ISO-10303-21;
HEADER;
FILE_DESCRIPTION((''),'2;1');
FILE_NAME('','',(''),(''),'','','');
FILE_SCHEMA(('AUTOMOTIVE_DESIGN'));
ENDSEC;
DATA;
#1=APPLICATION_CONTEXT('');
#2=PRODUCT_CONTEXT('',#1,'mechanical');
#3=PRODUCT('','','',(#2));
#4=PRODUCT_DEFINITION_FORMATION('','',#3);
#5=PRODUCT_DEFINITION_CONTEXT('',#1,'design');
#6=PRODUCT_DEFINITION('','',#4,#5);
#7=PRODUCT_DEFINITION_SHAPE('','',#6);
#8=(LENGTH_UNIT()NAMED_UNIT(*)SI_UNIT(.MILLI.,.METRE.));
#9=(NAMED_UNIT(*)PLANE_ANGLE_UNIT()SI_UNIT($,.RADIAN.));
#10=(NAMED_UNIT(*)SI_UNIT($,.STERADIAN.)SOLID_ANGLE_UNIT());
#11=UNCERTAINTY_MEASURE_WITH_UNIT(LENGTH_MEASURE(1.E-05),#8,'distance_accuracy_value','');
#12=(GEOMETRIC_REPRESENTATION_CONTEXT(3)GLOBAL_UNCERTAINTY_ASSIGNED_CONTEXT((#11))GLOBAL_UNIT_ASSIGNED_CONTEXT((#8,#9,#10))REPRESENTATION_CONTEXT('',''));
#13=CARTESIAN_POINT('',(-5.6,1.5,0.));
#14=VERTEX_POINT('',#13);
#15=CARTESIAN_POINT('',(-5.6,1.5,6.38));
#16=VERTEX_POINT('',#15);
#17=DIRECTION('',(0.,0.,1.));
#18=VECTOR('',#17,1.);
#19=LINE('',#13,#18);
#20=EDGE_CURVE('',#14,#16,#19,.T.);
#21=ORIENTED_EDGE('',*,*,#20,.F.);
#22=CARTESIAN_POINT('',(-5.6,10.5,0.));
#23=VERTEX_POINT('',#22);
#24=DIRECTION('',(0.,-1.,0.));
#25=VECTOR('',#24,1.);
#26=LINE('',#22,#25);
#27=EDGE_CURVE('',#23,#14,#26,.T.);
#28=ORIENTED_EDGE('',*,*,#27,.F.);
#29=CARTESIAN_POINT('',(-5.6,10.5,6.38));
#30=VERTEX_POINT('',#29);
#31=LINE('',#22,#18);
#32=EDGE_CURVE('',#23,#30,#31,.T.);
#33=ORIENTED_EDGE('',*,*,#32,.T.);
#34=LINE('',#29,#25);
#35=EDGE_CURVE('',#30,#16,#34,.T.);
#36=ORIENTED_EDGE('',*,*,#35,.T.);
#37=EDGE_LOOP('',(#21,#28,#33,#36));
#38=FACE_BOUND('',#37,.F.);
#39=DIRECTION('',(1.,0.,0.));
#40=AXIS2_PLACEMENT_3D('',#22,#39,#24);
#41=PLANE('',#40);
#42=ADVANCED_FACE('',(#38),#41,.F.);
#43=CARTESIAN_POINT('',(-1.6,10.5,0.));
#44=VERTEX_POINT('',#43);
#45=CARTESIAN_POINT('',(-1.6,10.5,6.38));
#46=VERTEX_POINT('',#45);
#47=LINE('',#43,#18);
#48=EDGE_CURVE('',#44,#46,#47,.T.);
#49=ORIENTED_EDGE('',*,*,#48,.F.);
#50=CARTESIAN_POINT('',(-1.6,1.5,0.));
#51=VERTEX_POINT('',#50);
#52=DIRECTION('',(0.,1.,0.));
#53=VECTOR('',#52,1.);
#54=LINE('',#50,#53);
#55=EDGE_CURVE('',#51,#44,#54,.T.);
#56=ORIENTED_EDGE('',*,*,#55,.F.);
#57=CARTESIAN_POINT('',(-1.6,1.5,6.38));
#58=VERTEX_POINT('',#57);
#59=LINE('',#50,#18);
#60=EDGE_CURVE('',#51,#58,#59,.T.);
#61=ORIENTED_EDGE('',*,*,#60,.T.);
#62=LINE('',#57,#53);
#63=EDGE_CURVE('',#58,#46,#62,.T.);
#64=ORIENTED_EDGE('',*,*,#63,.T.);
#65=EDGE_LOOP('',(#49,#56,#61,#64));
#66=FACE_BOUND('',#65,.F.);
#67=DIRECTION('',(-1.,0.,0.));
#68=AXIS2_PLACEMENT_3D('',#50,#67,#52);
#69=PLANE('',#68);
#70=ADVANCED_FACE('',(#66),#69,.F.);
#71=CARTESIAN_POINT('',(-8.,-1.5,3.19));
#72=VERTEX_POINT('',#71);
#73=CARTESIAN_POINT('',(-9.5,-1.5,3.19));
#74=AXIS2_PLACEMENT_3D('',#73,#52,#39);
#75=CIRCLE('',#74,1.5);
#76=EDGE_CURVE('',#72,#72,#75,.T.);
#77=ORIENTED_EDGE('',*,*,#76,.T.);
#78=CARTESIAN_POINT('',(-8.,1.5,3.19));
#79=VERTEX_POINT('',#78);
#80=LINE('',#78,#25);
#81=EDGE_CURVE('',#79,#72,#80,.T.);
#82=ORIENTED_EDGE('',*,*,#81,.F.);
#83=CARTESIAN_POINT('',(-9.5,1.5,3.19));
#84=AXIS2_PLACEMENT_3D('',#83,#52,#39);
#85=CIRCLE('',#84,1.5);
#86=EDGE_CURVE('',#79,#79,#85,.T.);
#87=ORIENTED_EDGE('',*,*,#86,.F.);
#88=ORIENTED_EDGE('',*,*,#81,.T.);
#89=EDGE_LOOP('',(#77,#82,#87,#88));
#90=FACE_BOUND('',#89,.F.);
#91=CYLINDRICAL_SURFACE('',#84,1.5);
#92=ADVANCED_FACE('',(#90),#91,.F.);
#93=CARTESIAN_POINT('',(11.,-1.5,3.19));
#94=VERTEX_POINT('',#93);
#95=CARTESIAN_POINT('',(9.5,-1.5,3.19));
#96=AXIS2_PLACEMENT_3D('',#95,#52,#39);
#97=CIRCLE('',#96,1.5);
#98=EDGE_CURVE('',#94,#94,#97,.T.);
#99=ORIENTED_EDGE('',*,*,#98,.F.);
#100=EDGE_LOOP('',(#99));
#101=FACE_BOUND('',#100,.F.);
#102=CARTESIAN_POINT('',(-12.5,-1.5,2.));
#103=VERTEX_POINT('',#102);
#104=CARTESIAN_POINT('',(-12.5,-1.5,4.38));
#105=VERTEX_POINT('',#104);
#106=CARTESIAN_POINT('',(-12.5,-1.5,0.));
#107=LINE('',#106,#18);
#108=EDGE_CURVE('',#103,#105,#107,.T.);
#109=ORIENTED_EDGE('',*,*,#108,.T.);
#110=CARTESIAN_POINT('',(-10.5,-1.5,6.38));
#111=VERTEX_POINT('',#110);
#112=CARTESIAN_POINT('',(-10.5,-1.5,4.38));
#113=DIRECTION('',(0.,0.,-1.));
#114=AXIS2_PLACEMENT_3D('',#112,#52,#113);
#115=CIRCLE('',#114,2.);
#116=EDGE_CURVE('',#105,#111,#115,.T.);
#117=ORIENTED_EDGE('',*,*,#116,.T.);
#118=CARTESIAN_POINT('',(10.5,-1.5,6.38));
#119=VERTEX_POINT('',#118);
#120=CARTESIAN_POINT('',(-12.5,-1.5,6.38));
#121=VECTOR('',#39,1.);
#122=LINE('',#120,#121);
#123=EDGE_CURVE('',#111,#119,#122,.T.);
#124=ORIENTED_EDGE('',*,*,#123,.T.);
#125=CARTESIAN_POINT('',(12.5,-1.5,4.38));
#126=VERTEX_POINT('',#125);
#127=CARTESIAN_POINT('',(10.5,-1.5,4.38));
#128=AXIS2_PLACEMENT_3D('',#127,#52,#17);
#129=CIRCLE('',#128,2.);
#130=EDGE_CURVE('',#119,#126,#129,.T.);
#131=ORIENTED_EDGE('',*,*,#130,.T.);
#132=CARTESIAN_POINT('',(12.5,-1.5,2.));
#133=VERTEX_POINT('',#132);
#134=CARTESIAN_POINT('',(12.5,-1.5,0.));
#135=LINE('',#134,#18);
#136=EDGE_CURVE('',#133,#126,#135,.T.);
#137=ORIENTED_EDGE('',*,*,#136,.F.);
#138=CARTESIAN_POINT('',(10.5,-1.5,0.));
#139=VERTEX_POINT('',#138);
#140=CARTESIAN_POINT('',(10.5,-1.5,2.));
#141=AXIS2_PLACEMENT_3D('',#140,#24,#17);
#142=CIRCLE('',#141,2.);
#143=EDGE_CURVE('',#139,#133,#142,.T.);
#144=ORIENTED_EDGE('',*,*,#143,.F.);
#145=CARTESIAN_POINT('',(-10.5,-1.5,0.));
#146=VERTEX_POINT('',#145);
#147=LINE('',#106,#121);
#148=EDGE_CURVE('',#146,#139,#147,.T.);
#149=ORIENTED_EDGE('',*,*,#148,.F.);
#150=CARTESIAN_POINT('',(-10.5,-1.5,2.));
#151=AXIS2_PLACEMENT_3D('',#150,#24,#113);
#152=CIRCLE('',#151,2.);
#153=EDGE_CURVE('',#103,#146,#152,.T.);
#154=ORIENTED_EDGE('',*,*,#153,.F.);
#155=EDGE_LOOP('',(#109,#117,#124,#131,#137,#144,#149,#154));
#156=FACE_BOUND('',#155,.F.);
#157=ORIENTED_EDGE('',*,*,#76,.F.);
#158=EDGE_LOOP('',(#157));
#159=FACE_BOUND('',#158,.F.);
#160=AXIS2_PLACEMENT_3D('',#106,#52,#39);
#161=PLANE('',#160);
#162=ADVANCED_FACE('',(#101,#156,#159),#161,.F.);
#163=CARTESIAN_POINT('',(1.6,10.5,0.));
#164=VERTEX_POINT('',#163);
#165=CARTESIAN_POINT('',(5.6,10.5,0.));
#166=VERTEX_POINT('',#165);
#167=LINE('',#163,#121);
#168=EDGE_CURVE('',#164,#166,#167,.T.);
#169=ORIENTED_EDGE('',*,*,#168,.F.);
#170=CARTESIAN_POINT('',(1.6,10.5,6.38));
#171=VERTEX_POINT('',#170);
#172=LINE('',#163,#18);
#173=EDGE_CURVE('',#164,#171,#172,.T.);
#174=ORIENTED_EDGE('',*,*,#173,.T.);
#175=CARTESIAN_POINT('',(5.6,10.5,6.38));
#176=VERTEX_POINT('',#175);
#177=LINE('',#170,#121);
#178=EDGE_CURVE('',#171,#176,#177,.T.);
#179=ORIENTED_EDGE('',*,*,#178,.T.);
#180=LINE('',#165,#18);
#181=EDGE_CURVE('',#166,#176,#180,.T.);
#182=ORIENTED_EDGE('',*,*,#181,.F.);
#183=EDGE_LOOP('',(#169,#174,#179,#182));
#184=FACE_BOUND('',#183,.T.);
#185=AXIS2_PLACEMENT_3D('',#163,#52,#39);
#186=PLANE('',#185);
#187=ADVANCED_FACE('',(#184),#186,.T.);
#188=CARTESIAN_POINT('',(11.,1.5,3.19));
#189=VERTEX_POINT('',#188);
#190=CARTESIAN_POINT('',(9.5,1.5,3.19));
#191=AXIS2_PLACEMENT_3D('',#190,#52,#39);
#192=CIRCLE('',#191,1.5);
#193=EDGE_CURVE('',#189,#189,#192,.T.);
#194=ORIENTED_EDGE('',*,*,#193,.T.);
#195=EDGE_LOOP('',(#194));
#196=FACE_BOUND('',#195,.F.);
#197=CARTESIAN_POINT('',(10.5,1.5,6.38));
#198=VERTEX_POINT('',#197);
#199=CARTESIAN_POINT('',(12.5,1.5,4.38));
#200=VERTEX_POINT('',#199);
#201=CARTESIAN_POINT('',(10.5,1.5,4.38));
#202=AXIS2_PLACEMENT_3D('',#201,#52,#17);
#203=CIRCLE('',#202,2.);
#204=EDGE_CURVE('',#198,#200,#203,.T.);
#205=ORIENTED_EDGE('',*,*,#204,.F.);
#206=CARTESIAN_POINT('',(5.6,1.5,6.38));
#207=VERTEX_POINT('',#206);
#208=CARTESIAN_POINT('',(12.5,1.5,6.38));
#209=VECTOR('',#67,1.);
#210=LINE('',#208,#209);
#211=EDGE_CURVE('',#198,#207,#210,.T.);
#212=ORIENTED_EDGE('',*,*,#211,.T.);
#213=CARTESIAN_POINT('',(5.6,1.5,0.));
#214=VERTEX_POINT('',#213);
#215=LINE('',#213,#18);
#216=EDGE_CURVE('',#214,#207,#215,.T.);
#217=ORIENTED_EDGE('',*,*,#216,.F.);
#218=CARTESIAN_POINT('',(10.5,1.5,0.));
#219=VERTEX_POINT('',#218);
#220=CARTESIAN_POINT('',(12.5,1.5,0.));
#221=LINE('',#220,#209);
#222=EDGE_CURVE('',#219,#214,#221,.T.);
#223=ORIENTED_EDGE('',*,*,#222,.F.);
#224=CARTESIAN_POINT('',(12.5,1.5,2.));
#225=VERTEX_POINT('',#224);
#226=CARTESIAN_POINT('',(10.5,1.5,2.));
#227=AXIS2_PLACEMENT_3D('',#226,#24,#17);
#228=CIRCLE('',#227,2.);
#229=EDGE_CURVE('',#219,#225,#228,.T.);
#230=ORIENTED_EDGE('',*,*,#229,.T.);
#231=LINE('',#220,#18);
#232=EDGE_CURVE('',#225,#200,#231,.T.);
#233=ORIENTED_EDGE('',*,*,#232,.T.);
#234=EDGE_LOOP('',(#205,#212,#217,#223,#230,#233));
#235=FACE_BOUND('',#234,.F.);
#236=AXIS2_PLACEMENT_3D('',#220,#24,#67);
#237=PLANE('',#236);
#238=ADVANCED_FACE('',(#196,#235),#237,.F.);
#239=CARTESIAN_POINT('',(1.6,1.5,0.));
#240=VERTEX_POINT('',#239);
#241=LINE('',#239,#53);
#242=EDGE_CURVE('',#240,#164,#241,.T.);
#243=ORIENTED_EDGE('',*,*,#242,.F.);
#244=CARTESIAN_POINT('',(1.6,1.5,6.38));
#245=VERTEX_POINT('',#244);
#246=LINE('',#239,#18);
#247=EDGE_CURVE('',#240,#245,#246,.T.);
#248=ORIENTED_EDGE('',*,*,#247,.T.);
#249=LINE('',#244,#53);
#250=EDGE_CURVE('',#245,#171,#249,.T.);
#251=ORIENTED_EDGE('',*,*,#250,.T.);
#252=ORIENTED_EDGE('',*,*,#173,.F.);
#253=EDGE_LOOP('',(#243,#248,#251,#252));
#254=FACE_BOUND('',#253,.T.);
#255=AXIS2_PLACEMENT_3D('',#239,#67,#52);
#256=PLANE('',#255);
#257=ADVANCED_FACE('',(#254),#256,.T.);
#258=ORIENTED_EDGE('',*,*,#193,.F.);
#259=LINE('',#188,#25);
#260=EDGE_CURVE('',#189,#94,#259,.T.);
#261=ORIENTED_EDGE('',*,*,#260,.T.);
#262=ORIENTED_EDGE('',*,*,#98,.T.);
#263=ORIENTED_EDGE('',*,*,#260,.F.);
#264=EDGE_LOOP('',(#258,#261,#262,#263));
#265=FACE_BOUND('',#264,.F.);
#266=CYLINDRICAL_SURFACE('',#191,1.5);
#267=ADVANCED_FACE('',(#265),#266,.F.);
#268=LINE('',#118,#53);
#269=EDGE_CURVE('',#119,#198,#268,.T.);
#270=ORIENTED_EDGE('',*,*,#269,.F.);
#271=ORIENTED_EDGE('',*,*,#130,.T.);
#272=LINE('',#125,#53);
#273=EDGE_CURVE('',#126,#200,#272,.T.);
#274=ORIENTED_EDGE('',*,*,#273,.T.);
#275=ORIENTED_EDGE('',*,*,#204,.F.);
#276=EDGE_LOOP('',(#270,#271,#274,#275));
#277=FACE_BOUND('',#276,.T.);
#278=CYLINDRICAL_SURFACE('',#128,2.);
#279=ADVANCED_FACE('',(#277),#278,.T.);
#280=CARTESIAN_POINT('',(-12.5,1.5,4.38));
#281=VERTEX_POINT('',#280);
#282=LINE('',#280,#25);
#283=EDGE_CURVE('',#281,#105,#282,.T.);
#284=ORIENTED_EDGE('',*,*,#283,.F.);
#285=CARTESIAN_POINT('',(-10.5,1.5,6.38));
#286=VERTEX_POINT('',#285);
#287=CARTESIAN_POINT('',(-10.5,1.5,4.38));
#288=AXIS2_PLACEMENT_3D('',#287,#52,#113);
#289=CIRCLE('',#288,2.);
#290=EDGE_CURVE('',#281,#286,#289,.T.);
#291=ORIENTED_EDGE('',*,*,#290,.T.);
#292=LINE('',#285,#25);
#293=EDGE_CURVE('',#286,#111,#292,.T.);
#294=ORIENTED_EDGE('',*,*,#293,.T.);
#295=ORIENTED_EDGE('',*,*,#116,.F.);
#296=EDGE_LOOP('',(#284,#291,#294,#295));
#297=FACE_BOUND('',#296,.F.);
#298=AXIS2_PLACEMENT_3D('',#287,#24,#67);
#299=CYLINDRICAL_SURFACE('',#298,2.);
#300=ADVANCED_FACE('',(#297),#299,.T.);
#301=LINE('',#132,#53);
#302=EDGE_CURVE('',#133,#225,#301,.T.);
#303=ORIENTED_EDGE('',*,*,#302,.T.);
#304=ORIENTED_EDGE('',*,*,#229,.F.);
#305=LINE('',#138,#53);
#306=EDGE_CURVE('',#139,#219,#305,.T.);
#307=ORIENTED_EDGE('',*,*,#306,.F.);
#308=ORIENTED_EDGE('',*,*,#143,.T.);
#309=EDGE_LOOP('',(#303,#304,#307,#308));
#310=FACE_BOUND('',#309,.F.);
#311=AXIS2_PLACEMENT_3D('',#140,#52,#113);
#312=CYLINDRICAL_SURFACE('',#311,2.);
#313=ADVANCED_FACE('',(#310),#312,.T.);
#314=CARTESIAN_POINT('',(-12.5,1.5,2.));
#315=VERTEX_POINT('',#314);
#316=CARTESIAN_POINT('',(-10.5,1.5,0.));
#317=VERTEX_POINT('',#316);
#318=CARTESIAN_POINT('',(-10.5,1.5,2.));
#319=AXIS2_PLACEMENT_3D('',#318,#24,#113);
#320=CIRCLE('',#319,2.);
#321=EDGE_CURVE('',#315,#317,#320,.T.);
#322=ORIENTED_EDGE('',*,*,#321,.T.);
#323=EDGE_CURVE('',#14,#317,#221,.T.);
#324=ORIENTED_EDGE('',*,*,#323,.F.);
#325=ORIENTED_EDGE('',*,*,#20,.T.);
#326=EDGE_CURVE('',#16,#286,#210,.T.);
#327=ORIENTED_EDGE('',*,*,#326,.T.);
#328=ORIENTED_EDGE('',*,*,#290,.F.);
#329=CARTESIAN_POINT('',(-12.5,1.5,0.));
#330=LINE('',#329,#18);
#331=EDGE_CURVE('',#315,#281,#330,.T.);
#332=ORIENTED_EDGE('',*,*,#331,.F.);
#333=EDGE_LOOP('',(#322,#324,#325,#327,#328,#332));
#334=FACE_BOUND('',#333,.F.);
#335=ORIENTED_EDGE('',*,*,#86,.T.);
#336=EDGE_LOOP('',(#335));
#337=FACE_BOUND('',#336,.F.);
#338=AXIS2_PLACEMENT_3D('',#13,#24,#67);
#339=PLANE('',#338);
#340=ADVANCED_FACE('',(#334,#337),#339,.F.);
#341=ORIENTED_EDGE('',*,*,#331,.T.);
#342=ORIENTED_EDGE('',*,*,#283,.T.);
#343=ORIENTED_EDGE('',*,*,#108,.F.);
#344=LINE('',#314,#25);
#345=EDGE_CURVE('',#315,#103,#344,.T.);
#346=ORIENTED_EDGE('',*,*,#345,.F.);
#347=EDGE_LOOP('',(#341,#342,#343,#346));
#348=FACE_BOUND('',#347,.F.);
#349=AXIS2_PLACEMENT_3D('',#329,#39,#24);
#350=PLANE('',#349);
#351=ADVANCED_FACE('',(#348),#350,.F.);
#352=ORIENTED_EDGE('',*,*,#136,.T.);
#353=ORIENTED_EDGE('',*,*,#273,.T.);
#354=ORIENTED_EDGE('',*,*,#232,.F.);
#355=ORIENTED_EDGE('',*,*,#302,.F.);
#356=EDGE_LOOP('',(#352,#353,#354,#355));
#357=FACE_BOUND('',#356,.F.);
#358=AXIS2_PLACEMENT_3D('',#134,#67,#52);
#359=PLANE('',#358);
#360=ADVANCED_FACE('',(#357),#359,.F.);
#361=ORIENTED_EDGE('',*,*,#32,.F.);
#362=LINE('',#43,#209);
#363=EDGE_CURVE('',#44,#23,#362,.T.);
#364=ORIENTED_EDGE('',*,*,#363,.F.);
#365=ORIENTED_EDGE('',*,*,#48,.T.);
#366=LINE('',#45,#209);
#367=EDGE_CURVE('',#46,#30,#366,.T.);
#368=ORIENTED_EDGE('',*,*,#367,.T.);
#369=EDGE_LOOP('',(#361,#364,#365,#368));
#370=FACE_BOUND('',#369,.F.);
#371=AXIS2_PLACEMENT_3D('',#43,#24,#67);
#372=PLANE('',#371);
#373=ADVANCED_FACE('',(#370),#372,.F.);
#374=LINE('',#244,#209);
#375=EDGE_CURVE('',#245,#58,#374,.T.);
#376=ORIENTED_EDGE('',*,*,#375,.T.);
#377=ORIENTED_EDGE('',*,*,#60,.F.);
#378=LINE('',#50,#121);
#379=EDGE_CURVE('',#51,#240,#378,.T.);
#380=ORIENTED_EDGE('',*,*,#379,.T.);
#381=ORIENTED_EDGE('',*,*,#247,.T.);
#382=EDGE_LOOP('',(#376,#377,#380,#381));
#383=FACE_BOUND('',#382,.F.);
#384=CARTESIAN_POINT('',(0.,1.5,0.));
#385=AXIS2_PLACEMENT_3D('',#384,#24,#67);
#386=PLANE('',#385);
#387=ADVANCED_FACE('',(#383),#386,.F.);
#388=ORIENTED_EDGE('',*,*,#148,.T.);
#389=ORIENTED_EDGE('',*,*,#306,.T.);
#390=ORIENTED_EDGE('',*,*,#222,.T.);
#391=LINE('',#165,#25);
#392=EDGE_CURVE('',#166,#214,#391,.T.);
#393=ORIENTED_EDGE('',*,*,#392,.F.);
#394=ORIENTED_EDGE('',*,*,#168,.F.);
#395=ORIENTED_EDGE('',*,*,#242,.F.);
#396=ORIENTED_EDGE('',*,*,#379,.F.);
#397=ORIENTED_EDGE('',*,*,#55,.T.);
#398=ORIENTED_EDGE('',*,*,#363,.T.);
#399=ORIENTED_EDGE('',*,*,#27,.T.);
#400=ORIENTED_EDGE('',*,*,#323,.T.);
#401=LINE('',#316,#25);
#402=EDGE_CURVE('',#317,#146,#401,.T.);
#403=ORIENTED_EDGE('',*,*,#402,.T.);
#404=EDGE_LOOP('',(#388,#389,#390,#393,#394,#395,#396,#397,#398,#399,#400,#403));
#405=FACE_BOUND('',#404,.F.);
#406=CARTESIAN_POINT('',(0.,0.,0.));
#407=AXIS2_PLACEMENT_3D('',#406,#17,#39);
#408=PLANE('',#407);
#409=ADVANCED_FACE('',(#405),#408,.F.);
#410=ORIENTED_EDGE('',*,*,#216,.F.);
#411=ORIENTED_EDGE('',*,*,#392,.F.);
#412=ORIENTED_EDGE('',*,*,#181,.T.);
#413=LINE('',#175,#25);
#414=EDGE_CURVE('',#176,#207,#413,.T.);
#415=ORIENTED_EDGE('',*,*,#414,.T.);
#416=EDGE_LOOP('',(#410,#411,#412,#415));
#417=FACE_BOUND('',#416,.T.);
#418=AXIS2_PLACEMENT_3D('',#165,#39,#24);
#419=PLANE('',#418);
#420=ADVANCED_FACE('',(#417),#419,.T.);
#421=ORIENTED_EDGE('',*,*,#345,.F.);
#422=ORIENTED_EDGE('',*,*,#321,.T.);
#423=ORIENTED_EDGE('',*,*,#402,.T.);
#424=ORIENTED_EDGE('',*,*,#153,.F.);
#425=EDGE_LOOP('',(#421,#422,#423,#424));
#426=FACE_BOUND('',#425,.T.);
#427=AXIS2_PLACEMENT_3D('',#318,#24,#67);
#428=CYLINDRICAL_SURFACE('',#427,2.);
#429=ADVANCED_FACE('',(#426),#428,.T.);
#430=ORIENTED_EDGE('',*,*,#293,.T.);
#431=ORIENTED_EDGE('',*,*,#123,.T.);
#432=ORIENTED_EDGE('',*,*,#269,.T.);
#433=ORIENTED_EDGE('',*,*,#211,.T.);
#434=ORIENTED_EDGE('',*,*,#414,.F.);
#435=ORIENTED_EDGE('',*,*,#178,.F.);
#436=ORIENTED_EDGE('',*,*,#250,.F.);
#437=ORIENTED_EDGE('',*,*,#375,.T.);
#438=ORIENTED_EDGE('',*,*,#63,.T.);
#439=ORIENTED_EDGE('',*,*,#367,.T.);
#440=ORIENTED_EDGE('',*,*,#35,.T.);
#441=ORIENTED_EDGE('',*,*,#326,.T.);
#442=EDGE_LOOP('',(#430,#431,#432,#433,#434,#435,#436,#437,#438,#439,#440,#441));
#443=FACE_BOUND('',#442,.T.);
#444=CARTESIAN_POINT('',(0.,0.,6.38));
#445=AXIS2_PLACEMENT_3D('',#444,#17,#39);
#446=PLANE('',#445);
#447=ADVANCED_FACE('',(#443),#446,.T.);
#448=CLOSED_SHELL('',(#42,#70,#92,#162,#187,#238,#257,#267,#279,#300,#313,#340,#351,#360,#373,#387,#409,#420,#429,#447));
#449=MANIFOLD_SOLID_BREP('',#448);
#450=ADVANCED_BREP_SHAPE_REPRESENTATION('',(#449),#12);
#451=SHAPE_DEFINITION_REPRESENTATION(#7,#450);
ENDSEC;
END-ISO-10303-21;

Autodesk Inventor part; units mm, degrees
ref_plane "YZ Plane" through (0, 0, 0) normal (1, 0, 0) x (0, 1, 0)
ref_plane "XZ Plane" through (0, 0, 0) normal (0, 1, 0) x (-1, 0, 0)
ref_plane "XY Plane" through (0, 0, 0) normal (0, 0, 1) x (1, 0, 0)
sketch "Sketch1" plane through (0, 0, 0) normal (0, 0, 1) x (1, 0, 0)
  line L0 (-12.5, -1.5) -> (12.5, -1.5)
  line L1 (12.5, -1.5) -> (12.5, 1.5)
  line L2 (12.5, 1.5) -> (-12.5, 1.5)
  line L3 (-12.5, 1.5) -> (-12.5, -1.5)
  line L4 (-12.5, -1.5) -> (12.5, 1.5) construction
  line L5 (12.5, -1.5) -> (-12.5, 1.5) construction
  line L6 (-5.6, 1.5) -> (-1.6, 1.5)
  line L7 (-1.6, 1.5) -> (-1.6, 10.5)
  line L8 (-1.6, 10.5) -> (-5.6, 10.5)
  line L9 (-5.6, 10.5) -> (-5.6, 1.5)
  line L10 (0, 1.5) -> (0, 12.2186)
  line L11 (1.6, 1.5) -> (1.6, 10.5)
  line L12 (1.6, 10.5) -> (5.6, 10.5)
  line L13 (5.6, 10.5) -> (5.6, 1.5)
  point P0 (0, 0)
  point P1 (5.6, 1.5)
  point P2 (1.6, 1.5)
  point P3 (-1.6, 1.5)
  dimension "d0" = 25
  dimension "d1" = 3
  dimension "d2" = 4
  dimension "d3" = 9
  dimension "d4" = 3.2
extrude "Extrusion1" add sketch "Sketch1" along normal blind 6.38
sketch "Sketch2" plane through (5.6, 1.5, 0) normal (0, 1, 0) x (1, 0, 0)
  circle A0 centre (3.9, -3.19) radius 1.5
  line L0 (6.9, 0) -> (6.9, -6.38) projected
  circle A1 centre (-15.1, -3.19) radius 1.5
  line L1 (-18.1, 0) -> (-18.1, -6.38) projected
  point P0 (-5.6, 0)
  dimension "d7" = 3
  dimension "d8" = 3
  dimension "d9" = 3
  dimension "d10" = 3
  dimension "d14" = 19
extrude "Extrusion2" cut sketch "Sketch2" against normal through all
fillet "Fillet1" radius 2 4 edges at (12.5, 0, 6.38) (12.5, 0, 0) (-12.5, 0, 6.38) (-12.5, 0, 0)
properties part number "Sensor"
